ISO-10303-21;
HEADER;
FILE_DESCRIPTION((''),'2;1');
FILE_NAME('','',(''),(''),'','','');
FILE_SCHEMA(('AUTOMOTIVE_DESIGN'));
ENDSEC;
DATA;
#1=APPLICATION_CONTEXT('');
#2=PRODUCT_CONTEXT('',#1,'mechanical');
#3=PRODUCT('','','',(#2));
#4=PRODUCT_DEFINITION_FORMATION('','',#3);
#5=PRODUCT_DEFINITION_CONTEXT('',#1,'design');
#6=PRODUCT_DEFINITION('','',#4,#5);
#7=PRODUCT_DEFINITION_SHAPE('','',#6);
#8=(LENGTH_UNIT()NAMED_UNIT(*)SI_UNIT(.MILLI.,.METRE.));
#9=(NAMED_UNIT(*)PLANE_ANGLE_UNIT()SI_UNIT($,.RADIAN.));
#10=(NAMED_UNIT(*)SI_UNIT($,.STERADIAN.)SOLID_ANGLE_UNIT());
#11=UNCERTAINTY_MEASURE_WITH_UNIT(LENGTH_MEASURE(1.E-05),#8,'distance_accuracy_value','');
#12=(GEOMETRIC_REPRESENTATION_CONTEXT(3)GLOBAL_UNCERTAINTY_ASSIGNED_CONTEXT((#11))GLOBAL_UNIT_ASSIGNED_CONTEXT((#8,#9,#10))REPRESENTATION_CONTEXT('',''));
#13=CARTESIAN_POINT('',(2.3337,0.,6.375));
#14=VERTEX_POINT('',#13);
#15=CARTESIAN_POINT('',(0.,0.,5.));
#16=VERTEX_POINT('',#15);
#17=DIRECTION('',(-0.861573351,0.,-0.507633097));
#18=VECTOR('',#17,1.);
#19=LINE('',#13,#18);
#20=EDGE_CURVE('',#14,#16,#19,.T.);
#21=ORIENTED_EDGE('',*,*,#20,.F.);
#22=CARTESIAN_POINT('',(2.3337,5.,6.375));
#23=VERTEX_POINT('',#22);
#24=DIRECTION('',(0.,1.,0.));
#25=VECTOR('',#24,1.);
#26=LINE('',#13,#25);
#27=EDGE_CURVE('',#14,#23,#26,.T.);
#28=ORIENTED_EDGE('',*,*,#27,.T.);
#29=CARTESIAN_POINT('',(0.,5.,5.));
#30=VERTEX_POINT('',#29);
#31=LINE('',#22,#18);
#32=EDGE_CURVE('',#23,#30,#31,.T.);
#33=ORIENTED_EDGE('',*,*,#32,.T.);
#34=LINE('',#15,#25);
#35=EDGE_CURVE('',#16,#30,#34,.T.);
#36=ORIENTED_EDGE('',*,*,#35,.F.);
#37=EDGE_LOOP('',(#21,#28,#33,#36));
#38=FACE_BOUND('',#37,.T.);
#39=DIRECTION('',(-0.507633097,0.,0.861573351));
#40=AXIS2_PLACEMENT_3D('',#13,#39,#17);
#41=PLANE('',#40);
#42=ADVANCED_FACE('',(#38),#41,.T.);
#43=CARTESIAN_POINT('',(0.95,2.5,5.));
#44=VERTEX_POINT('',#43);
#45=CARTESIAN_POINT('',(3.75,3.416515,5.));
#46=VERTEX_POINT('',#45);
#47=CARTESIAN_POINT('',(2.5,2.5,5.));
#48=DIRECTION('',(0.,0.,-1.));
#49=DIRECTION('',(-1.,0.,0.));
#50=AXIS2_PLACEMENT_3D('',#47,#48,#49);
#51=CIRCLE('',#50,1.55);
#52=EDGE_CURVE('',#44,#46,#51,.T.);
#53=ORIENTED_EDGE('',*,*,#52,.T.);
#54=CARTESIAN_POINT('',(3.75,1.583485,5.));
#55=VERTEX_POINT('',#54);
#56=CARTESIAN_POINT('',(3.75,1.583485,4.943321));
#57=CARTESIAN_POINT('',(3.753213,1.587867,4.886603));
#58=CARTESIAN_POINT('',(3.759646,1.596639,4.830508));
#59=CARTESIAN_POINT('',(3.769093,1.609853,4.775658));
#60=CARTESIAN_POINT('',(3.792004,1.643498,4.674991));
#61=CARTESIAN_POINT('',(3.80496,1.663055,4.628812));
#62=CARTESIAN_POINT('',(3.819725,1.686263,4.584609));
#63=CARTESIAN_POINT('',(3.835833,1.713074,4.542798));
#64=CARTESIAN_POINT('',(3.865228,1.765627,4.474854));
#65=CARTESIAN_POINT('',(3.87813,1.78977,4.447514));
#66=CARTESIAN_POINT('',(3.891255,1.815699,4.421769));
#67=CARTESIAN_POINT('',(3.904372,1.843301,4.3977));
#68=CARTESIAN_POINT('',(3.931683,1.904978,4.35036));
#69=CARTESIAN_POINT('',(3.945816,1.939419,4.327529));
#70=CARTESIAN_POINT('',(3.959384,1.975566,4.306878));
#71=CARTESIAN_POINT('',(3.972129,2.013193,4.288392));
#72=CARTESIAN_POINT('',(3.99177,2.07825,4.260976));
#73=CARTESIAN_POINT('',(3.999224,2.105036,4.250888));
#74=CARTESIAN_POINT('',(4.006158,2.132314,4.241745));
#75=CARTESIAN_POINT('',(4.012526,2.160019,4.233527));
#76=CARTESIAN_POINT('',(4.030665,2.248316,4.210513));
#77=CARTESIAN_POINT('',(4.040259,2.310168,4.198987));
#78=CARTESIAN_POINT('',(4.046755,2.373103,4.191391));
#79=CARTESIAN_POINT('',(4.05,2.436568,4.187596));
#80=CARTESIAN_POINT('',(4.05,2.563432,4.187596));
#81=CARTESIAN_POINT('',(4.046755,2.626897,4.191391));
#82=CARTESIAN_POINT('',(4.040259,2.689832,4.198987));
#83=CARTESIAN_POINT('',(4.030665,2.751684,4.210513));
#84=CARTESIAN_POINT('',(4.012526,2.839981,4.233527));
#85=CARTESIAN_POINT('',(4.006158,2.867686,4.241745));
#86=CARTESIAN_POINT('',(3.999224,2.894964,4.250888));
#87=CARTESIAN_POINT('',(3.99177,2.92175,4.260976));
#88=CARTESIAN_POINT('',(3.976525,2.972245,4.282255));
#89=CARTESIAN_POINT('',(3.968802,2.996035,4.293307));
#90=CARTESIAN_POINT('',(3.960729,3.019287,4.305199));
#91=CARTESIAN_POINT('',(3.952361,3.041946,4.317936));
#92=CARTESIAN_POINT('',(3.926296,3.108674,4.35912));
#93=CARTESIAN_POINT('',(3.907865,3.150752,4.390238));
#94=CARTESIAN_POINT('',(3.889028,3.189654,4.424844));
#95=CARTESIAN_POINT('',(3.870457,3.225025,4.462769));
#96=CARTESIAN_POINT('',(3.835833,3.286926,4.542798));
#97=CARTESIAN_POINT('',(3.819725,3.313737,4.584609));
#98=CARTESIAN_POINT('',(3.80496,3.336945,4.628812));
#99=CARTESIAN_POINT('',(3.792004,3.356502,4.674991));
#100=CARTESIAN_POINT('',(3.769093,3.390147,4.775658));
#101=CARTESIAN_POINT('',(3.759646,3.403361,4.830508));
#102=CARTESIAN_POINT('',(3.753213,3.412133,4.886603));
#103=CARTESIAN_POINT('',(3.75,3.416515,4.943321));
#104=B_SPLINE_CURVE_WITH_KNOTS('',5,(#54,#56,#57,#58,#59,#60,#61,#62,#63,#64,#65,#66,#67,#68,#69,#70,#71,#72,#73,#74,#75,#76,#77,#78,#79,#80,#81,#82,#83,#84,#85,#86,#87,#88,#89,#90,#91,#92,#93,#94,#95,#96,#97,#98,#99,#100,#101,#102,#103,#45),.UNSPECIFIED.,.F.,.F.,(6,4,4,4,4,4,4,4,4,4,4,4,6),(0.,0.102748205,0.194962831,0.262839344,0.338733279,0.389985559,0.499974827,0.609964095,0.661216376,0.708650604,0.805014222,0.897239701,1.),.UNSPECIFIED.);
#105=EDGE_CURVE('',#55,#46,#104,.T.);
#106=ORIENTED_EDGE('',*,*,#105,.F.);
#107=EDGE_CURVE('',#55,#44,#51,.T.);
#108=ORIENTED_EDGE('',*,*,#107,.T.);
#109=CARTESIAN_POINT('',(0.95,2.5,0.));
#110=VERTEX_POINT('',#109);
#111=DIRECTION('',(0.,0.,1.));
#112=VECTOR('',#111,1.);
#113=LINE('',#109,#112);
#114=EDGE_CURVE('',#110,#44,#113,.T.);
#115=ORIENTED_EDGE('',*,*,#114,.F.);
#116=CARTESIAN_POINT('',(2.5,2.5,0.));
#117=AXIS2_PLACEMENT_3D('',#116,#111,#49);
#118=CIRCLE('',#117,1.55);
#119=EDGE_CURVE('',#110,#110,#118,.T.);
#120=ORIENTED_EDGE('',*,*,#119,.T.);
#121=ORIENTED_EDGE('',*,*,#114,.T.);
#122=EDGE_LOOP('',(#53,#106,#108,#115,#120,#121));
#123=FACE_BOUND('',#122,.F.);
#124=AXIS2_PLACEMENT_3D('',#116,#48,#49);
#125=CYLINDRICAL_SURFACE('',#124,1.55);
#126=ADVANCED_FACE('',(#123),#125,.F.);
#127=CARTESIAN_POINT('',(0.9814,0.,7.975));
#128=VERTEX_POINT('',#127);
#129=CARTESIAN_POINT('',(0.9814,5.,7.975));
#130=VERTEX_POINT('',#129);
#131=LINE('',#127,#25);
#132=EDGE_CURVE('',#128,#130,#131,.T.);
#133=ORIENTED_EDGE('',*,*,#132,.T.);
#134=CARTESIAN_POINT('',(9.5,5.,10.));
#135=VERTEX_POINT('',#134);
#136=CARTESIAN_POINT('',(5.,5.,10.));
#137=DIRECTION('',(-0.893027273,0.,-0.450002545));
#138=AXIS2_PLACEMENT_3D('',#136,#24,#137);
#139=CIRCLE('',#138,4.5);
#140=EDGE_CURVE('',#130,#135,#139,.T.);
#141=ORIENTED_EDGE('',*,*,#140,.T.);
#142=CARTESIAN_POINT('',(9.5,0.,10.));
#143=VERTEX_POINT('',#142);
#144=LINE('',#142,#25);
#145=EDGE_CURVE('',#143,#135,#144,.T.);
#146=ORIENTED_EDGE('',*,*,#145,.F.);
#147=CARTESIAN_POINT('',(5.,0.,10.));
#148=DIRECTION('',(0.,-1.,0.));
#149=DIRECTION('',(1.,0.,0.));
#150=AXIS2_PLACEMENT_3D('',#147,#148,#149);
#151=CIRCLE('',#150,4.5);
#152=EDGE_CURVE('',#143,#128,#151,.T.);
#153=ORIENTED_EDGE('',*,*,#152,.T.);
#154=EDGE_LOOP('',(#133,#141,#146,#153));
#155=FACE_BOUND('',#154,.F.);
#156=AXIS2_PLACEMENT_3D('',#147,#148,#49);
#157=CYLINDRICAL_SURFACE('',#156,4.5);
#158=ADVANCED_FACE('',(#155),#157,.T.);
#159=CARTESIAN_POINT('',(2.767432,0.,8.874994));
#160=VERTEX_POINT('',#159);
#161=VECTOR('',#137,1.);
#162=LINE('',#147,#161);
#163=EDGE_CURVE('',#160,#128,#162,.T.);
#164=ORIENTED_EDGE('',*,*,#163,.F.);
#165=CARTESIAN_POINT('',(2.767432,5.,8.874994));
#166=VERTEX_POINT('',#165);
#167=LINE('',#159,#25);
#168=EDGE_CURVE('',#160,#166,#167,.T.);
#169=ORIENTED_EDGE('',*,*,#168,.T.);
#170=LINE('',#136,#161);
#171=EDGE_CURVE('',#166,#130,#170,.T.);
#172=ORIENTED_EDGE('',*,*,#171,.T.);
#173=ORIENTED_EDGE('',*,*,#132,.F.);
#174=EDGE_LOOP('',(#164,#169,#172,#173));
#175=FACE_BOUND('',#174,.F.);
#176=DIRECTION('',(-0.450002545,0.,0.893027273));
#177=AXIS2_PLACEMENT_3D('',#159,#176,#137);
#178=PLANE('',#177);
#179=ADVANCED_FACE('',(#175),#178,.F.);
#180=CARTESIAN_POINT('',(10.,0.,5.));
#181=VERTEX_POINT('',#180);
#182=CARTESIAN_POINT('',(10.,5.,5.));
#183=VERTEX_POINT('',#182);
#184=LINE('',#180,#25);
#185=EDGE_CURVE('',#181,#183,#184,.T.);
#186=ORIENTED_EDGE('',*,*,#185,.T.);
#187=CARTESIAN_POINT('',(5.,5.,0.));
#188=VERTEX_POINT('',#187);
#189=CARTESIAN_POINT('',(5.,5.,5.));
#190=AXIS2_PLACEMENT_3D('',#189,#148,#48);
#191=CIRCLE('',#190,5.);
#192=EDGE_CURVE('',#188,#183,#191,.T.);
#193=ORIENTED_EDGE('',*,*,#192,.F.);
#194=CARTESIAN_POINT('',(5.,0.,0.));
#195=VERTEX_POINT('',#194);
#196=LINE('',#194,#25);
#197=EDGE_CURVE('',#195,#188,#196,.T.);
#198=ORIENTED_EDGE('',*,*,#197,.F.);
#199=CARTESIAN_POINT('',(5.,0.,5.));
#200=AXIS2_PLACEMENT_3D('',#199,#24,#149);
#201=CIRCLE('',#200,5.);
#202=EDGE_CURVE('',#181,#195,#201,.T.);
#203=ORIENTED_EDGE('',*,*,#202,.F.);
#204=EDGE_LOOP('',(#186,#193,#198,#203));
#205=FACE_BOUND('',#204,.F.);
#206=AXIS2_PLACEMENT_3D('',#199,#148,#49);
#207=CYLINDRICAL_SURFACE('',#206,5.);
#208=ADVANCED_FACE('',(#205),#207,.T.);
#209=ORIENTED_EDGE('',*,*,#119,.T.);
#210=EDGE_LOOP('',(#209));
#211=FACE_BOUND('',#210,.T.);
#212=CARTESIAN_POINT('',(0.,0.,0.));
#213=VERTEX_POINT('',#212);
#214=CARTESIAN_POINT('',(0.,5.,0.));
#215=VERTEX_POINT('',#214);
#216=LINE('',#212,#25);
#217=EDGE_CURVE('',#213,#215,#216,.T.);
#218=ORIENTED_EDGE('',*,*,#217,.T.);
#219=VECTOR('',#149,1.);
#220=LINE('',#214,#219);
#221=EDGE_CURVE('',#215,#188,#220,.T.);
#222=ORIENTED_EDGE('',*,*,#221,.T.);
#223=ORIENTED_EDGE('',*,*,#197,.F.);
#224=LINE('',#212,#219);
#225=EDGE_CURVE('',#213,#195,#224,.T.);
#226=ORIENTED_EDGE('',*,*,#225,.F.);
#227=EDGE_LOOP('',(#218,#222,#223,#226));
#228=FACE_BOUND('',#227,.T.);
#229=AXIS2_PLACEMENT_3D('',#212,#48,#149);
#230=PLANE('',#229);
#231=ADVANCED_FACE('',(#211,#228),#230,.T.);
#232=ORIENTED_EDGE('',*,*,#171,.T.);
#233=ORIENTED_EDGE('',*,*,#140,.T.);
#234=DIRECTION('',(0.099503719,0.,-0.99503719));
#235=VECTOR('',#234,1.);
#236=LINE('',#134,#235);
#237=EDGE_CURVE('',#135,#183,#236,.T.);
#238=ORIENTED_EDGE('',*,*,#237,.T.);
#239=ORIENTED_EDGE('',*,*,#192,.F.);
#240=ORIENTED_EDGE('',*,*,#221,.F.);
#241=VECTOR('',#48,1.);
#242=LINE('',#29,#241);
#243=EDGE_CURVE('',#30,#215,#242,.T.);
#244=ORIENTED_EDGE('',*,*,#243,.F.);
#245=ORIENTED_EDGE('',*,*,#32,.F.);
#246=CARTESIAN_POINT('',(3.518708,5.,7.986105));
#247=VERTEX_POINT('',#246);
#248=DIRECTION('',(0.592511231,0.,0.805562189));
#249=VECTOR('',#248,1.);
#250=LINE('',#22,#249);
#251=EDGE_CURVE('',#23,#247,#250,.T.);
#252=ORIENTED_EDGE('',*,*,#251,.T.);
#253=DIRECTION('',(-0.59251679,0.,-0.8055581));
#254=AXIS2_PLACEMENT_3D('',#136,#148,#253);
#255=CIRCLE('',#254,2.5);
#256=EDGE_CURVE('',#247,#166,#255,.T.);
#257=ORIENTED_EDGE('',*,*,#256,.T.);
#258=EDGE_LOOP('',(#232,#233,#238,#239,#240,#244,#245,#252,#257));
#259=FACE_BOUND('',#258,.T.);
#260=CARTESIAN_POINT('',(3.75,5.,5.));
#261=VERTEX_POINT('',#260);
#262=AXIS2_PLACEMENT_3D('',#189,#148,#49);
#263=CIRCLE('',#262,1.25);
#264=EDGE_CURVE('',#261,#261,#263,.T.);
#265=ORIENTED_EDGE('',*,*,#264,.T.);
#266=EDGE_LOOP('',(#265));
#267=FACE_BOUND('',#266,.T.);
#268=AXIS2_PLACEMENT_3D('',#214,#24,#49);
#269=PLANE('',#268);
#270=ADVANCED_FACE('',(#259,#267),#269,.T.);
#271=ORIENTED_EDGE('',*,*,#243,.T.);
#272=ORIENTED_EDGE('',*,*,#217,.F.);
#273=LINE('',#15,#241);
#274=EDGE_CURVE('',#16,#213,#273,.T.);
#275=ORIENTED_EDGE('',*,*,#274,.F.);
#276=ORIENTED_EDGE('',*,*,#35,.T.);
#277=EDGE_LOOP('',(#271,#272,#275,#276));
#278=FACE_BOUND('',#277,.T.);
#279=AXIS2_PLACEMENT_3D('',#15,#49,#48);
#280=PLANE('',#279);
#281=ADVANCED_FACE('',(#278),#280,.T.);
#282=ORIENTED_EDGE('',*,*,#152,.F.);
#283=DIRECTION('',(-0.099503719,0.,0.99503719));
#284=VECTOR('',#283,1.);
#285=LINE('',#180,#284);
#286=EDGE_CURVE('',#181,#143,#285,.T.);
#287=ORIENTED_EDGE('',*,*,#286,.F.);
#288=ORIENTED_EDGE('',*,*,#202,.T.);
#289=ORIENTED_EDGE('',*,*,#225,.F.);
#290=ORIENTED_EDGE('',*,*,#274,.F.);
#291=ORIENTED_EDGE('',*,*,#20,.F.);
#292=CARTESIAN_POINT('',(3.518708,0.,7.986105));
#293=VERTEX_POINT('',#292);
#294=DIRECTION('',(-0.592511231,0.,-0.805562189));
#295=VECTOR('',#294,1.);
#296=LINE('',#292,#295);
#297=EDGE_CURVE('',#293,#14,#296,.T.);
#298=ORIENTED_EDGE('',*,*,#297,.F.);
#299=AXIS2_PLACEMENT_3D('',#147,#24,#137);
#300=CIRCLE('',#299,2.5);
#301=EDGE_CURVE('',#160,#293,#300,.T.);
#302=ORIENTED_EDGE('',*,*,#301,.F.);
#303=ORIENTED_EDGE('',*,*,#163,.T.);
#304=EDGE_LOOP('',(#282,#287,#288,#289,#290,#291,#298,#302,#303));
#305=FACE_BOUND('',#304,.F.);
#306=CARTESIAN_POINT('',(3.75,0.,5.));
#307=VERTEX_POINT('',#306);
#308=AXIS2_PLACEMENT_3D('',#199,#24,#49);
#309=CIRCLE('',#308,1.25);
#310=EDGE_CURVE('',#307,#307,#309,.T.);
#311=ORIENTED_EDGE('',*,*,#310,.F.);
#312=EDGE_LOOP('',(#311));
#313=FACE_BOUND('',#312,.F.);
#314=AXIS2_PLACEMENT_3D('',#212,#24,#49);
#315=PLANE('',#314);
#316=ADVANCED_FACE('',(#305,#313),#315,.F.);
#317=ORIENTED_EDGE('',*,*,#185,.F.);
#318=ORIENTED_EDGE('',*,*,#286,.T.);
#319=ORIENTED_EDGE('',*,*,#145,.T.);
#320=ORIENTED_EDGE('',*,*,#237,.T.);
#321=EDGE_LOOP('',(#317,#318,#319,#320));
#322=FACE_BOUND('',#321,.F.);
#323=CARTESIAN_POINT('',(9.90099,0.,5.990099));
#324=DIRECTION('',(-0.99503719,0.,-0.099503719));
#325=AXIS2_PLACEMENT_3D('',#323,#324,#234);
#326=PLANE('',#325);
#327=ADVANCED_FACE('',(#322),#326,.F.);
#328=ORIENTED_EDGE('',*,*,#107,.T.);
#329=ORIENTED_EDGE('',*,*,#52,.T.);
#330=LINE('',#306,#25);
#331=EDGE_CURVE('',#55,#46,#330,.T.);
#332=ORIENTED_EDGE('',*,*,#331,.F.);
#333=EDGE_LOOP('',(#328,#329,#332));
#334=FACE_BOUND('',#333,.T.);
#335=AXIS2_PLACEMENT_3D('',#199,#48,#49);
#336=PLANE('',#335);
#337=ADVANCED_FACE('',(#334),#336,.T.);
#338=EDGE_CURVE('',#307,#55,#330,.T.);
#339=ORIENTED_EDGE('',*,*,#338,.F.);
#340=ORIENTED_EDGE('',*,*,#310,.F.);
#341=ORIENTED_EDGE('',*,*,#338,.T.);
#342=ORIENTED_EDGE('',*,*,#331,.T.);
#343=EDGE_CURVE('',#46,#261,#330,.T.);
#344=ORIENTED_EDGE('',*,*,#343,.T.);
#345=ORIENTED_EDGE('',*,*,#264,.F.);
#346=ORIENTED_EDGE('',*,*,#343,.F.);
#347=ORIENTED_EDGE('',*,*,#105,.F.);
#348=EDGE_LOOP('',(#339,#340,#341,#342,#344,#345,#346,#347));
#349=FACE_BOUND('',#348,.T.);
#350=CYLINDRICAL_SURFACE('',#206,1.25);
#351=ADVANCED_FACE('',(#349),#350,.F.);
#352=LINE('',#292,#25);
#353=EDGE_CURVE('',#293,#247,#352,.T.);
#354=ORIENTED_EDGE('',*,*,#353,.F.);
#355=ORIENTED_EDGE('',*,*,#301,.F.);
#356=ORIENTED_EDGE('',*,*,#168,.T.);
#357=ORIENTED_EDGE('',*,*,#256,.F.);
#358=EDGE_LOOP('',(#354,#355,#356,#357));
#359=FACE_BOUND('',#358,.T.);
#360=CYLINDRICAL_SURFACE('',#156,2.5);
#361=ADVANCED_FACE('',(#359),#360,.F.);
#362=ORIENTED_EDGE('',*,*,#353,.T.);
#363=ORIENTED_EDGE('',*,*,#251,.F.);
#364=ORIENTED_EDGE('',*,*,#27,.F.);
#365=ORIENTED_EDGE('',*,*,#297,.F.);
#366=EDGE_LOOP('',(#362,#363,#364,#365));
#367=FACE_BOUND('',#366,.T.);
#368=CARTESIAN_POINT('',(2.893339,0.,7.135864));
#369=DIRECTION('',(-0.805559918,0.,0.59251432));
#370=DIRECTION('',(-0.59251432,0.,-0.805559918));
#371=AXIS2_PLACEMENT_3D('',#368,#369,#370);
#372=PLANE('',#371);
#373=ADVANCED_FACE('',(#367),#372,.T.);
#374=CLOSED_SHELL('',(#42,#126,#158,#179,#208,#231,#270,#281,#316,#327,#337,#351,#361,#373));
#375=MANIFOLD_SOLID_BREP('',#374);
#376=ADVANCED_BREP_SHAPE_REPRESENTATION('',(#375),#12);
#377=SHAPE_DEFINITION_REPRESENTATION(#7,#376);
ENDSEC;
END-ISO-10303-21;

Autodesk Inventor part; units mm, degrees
ref_plane "YZ Plane" through (0, 0, 0) normal (1, 0, 0) x (0, 1, 0)
ref_plane "XZ Plane" through (0, 0, 0) normal (0, 1, 0) x (-1, 0, 0)
ref_plane "XY Plane" through (0, 0, 0) normal (0, 0, 1) x (1, 0, 0)
sketch "スケッチ1" plane through (0, 0, 0) normal (0, 1, 0) x (-1, 0, 0)
  line L0 (0, 0) -> (-5, 0)
  line L1 (-5, 0) -> (-5, 5)
  line L2 (-5, 5) -> (0, 5)
  line L3 (0, 5) -> (0, 0)
  circle A0 centre (-5, 5) radius 1.25
  line L4 (0, 0) -> (0, 15)
  circle A1 centre (-5, 5) radius 5
  circle A2 centre (-5, 5) radius 3
  line L5 (-8, 5) -> (-8, 0)
  line L6 (-8, 0) -> (-8, 15)
  line L7 (-8, 15) -> (0, 15)
  line L8 (-5, 5) -> (-5, 15)
  line L9 (-5, 10) -> (-8, 10)
  circle A3 centre (-5, 5) radius 2.25
  circle A4 centre (-5, 10) radius 2.5
  circle A5 centre (-5, 10) radius 4.5
  line L10 (-5, 10) -> (-0.9814, 7.975)
  line L11 (-5, 10) -> (-2.3337, 6.375)
  line L12 (-9.5, 10) -> (-10, 5)
  line L13 (-2.3337, 6.375) -> (-5, 10)
  line L14 (-5, 10) -> (-0.2269, 3.5108)
  line L15 (-0.2269, 3.5108) -> (-5, 0)
  line L16 (-2.3337, 6.375) -> (0, 5)
  point P0 (-3.5187, 7.9861)
  point P1 (-2.7674, 8.875)
  dimension "d0" = 5
  dimension "d1" = 5
  dimension "d2" = 2.5
  dimension "d3" = 15
  dimension "d4" = 6
  dimension "d5" = 4.5
  dimension "d8" = 5
  dimension "d10" = 9
extrude "押し出し1" add sketch "スケッチ1" along normal blind 5 contours L0 A1 L3 | A1 L5 A2 L1 | L15 A1 | L1 A2 L2 L14 L15 | A1 L14 L2 | L2 L14 L16 | A2 A5 A3 L1 | L1 A3 L2 A2 | A1 L12 A5 L6 L5 | L2 A2 L14 | L10 A4 A1 | A1 A4 L8 A5 | A2 L2 A3 A5 | A5 A3 L8 A4 A2 L11 | A3 A5 A0 L1 | L1 A0 L2 A3 | L6 A5 A2 | A2 A4 L11 | A5 A0 L8 A3 | A3 L2 A0 A5 | A5 A2 A4 L8 A3 | A3 L8 A0 A5 | A5 L6 A1 A4 A2 | A5 A1 L6 | L12 A5 A1 | L8 A4 L9 L6 A5 | L6 L9 A4 A1 | A1 A5 L6 picked at (-1.7314, 8.4555)
sketch "スケッチ3" plane through (5, 0, 0) normal (0, 0, -1) x (-1, 0, 0)
  line L0 (5, 0) -> (5, 5) projected
  line L1 (5, 0) -> (2.5, 0)
  line L2 (2.5, 0) -> (2.5, 2.5)
  line L3 (2.5, 2.5) -> (5, 2.5)
  line L4 (5, 2.5) -> (5, 0)
  circle A0 centre (2.5, 2.5) radius 1.55
  dimension "d13" = 2.5
  dimension "d14" = 2.5
  dimension "d15" = 3.1
extrude "押し出し2" cut sketch "スケッチ3" against normal blind 5 contours A0 L2 L3 | L3 L2 A0
properties part number "rod_exp1.1"
